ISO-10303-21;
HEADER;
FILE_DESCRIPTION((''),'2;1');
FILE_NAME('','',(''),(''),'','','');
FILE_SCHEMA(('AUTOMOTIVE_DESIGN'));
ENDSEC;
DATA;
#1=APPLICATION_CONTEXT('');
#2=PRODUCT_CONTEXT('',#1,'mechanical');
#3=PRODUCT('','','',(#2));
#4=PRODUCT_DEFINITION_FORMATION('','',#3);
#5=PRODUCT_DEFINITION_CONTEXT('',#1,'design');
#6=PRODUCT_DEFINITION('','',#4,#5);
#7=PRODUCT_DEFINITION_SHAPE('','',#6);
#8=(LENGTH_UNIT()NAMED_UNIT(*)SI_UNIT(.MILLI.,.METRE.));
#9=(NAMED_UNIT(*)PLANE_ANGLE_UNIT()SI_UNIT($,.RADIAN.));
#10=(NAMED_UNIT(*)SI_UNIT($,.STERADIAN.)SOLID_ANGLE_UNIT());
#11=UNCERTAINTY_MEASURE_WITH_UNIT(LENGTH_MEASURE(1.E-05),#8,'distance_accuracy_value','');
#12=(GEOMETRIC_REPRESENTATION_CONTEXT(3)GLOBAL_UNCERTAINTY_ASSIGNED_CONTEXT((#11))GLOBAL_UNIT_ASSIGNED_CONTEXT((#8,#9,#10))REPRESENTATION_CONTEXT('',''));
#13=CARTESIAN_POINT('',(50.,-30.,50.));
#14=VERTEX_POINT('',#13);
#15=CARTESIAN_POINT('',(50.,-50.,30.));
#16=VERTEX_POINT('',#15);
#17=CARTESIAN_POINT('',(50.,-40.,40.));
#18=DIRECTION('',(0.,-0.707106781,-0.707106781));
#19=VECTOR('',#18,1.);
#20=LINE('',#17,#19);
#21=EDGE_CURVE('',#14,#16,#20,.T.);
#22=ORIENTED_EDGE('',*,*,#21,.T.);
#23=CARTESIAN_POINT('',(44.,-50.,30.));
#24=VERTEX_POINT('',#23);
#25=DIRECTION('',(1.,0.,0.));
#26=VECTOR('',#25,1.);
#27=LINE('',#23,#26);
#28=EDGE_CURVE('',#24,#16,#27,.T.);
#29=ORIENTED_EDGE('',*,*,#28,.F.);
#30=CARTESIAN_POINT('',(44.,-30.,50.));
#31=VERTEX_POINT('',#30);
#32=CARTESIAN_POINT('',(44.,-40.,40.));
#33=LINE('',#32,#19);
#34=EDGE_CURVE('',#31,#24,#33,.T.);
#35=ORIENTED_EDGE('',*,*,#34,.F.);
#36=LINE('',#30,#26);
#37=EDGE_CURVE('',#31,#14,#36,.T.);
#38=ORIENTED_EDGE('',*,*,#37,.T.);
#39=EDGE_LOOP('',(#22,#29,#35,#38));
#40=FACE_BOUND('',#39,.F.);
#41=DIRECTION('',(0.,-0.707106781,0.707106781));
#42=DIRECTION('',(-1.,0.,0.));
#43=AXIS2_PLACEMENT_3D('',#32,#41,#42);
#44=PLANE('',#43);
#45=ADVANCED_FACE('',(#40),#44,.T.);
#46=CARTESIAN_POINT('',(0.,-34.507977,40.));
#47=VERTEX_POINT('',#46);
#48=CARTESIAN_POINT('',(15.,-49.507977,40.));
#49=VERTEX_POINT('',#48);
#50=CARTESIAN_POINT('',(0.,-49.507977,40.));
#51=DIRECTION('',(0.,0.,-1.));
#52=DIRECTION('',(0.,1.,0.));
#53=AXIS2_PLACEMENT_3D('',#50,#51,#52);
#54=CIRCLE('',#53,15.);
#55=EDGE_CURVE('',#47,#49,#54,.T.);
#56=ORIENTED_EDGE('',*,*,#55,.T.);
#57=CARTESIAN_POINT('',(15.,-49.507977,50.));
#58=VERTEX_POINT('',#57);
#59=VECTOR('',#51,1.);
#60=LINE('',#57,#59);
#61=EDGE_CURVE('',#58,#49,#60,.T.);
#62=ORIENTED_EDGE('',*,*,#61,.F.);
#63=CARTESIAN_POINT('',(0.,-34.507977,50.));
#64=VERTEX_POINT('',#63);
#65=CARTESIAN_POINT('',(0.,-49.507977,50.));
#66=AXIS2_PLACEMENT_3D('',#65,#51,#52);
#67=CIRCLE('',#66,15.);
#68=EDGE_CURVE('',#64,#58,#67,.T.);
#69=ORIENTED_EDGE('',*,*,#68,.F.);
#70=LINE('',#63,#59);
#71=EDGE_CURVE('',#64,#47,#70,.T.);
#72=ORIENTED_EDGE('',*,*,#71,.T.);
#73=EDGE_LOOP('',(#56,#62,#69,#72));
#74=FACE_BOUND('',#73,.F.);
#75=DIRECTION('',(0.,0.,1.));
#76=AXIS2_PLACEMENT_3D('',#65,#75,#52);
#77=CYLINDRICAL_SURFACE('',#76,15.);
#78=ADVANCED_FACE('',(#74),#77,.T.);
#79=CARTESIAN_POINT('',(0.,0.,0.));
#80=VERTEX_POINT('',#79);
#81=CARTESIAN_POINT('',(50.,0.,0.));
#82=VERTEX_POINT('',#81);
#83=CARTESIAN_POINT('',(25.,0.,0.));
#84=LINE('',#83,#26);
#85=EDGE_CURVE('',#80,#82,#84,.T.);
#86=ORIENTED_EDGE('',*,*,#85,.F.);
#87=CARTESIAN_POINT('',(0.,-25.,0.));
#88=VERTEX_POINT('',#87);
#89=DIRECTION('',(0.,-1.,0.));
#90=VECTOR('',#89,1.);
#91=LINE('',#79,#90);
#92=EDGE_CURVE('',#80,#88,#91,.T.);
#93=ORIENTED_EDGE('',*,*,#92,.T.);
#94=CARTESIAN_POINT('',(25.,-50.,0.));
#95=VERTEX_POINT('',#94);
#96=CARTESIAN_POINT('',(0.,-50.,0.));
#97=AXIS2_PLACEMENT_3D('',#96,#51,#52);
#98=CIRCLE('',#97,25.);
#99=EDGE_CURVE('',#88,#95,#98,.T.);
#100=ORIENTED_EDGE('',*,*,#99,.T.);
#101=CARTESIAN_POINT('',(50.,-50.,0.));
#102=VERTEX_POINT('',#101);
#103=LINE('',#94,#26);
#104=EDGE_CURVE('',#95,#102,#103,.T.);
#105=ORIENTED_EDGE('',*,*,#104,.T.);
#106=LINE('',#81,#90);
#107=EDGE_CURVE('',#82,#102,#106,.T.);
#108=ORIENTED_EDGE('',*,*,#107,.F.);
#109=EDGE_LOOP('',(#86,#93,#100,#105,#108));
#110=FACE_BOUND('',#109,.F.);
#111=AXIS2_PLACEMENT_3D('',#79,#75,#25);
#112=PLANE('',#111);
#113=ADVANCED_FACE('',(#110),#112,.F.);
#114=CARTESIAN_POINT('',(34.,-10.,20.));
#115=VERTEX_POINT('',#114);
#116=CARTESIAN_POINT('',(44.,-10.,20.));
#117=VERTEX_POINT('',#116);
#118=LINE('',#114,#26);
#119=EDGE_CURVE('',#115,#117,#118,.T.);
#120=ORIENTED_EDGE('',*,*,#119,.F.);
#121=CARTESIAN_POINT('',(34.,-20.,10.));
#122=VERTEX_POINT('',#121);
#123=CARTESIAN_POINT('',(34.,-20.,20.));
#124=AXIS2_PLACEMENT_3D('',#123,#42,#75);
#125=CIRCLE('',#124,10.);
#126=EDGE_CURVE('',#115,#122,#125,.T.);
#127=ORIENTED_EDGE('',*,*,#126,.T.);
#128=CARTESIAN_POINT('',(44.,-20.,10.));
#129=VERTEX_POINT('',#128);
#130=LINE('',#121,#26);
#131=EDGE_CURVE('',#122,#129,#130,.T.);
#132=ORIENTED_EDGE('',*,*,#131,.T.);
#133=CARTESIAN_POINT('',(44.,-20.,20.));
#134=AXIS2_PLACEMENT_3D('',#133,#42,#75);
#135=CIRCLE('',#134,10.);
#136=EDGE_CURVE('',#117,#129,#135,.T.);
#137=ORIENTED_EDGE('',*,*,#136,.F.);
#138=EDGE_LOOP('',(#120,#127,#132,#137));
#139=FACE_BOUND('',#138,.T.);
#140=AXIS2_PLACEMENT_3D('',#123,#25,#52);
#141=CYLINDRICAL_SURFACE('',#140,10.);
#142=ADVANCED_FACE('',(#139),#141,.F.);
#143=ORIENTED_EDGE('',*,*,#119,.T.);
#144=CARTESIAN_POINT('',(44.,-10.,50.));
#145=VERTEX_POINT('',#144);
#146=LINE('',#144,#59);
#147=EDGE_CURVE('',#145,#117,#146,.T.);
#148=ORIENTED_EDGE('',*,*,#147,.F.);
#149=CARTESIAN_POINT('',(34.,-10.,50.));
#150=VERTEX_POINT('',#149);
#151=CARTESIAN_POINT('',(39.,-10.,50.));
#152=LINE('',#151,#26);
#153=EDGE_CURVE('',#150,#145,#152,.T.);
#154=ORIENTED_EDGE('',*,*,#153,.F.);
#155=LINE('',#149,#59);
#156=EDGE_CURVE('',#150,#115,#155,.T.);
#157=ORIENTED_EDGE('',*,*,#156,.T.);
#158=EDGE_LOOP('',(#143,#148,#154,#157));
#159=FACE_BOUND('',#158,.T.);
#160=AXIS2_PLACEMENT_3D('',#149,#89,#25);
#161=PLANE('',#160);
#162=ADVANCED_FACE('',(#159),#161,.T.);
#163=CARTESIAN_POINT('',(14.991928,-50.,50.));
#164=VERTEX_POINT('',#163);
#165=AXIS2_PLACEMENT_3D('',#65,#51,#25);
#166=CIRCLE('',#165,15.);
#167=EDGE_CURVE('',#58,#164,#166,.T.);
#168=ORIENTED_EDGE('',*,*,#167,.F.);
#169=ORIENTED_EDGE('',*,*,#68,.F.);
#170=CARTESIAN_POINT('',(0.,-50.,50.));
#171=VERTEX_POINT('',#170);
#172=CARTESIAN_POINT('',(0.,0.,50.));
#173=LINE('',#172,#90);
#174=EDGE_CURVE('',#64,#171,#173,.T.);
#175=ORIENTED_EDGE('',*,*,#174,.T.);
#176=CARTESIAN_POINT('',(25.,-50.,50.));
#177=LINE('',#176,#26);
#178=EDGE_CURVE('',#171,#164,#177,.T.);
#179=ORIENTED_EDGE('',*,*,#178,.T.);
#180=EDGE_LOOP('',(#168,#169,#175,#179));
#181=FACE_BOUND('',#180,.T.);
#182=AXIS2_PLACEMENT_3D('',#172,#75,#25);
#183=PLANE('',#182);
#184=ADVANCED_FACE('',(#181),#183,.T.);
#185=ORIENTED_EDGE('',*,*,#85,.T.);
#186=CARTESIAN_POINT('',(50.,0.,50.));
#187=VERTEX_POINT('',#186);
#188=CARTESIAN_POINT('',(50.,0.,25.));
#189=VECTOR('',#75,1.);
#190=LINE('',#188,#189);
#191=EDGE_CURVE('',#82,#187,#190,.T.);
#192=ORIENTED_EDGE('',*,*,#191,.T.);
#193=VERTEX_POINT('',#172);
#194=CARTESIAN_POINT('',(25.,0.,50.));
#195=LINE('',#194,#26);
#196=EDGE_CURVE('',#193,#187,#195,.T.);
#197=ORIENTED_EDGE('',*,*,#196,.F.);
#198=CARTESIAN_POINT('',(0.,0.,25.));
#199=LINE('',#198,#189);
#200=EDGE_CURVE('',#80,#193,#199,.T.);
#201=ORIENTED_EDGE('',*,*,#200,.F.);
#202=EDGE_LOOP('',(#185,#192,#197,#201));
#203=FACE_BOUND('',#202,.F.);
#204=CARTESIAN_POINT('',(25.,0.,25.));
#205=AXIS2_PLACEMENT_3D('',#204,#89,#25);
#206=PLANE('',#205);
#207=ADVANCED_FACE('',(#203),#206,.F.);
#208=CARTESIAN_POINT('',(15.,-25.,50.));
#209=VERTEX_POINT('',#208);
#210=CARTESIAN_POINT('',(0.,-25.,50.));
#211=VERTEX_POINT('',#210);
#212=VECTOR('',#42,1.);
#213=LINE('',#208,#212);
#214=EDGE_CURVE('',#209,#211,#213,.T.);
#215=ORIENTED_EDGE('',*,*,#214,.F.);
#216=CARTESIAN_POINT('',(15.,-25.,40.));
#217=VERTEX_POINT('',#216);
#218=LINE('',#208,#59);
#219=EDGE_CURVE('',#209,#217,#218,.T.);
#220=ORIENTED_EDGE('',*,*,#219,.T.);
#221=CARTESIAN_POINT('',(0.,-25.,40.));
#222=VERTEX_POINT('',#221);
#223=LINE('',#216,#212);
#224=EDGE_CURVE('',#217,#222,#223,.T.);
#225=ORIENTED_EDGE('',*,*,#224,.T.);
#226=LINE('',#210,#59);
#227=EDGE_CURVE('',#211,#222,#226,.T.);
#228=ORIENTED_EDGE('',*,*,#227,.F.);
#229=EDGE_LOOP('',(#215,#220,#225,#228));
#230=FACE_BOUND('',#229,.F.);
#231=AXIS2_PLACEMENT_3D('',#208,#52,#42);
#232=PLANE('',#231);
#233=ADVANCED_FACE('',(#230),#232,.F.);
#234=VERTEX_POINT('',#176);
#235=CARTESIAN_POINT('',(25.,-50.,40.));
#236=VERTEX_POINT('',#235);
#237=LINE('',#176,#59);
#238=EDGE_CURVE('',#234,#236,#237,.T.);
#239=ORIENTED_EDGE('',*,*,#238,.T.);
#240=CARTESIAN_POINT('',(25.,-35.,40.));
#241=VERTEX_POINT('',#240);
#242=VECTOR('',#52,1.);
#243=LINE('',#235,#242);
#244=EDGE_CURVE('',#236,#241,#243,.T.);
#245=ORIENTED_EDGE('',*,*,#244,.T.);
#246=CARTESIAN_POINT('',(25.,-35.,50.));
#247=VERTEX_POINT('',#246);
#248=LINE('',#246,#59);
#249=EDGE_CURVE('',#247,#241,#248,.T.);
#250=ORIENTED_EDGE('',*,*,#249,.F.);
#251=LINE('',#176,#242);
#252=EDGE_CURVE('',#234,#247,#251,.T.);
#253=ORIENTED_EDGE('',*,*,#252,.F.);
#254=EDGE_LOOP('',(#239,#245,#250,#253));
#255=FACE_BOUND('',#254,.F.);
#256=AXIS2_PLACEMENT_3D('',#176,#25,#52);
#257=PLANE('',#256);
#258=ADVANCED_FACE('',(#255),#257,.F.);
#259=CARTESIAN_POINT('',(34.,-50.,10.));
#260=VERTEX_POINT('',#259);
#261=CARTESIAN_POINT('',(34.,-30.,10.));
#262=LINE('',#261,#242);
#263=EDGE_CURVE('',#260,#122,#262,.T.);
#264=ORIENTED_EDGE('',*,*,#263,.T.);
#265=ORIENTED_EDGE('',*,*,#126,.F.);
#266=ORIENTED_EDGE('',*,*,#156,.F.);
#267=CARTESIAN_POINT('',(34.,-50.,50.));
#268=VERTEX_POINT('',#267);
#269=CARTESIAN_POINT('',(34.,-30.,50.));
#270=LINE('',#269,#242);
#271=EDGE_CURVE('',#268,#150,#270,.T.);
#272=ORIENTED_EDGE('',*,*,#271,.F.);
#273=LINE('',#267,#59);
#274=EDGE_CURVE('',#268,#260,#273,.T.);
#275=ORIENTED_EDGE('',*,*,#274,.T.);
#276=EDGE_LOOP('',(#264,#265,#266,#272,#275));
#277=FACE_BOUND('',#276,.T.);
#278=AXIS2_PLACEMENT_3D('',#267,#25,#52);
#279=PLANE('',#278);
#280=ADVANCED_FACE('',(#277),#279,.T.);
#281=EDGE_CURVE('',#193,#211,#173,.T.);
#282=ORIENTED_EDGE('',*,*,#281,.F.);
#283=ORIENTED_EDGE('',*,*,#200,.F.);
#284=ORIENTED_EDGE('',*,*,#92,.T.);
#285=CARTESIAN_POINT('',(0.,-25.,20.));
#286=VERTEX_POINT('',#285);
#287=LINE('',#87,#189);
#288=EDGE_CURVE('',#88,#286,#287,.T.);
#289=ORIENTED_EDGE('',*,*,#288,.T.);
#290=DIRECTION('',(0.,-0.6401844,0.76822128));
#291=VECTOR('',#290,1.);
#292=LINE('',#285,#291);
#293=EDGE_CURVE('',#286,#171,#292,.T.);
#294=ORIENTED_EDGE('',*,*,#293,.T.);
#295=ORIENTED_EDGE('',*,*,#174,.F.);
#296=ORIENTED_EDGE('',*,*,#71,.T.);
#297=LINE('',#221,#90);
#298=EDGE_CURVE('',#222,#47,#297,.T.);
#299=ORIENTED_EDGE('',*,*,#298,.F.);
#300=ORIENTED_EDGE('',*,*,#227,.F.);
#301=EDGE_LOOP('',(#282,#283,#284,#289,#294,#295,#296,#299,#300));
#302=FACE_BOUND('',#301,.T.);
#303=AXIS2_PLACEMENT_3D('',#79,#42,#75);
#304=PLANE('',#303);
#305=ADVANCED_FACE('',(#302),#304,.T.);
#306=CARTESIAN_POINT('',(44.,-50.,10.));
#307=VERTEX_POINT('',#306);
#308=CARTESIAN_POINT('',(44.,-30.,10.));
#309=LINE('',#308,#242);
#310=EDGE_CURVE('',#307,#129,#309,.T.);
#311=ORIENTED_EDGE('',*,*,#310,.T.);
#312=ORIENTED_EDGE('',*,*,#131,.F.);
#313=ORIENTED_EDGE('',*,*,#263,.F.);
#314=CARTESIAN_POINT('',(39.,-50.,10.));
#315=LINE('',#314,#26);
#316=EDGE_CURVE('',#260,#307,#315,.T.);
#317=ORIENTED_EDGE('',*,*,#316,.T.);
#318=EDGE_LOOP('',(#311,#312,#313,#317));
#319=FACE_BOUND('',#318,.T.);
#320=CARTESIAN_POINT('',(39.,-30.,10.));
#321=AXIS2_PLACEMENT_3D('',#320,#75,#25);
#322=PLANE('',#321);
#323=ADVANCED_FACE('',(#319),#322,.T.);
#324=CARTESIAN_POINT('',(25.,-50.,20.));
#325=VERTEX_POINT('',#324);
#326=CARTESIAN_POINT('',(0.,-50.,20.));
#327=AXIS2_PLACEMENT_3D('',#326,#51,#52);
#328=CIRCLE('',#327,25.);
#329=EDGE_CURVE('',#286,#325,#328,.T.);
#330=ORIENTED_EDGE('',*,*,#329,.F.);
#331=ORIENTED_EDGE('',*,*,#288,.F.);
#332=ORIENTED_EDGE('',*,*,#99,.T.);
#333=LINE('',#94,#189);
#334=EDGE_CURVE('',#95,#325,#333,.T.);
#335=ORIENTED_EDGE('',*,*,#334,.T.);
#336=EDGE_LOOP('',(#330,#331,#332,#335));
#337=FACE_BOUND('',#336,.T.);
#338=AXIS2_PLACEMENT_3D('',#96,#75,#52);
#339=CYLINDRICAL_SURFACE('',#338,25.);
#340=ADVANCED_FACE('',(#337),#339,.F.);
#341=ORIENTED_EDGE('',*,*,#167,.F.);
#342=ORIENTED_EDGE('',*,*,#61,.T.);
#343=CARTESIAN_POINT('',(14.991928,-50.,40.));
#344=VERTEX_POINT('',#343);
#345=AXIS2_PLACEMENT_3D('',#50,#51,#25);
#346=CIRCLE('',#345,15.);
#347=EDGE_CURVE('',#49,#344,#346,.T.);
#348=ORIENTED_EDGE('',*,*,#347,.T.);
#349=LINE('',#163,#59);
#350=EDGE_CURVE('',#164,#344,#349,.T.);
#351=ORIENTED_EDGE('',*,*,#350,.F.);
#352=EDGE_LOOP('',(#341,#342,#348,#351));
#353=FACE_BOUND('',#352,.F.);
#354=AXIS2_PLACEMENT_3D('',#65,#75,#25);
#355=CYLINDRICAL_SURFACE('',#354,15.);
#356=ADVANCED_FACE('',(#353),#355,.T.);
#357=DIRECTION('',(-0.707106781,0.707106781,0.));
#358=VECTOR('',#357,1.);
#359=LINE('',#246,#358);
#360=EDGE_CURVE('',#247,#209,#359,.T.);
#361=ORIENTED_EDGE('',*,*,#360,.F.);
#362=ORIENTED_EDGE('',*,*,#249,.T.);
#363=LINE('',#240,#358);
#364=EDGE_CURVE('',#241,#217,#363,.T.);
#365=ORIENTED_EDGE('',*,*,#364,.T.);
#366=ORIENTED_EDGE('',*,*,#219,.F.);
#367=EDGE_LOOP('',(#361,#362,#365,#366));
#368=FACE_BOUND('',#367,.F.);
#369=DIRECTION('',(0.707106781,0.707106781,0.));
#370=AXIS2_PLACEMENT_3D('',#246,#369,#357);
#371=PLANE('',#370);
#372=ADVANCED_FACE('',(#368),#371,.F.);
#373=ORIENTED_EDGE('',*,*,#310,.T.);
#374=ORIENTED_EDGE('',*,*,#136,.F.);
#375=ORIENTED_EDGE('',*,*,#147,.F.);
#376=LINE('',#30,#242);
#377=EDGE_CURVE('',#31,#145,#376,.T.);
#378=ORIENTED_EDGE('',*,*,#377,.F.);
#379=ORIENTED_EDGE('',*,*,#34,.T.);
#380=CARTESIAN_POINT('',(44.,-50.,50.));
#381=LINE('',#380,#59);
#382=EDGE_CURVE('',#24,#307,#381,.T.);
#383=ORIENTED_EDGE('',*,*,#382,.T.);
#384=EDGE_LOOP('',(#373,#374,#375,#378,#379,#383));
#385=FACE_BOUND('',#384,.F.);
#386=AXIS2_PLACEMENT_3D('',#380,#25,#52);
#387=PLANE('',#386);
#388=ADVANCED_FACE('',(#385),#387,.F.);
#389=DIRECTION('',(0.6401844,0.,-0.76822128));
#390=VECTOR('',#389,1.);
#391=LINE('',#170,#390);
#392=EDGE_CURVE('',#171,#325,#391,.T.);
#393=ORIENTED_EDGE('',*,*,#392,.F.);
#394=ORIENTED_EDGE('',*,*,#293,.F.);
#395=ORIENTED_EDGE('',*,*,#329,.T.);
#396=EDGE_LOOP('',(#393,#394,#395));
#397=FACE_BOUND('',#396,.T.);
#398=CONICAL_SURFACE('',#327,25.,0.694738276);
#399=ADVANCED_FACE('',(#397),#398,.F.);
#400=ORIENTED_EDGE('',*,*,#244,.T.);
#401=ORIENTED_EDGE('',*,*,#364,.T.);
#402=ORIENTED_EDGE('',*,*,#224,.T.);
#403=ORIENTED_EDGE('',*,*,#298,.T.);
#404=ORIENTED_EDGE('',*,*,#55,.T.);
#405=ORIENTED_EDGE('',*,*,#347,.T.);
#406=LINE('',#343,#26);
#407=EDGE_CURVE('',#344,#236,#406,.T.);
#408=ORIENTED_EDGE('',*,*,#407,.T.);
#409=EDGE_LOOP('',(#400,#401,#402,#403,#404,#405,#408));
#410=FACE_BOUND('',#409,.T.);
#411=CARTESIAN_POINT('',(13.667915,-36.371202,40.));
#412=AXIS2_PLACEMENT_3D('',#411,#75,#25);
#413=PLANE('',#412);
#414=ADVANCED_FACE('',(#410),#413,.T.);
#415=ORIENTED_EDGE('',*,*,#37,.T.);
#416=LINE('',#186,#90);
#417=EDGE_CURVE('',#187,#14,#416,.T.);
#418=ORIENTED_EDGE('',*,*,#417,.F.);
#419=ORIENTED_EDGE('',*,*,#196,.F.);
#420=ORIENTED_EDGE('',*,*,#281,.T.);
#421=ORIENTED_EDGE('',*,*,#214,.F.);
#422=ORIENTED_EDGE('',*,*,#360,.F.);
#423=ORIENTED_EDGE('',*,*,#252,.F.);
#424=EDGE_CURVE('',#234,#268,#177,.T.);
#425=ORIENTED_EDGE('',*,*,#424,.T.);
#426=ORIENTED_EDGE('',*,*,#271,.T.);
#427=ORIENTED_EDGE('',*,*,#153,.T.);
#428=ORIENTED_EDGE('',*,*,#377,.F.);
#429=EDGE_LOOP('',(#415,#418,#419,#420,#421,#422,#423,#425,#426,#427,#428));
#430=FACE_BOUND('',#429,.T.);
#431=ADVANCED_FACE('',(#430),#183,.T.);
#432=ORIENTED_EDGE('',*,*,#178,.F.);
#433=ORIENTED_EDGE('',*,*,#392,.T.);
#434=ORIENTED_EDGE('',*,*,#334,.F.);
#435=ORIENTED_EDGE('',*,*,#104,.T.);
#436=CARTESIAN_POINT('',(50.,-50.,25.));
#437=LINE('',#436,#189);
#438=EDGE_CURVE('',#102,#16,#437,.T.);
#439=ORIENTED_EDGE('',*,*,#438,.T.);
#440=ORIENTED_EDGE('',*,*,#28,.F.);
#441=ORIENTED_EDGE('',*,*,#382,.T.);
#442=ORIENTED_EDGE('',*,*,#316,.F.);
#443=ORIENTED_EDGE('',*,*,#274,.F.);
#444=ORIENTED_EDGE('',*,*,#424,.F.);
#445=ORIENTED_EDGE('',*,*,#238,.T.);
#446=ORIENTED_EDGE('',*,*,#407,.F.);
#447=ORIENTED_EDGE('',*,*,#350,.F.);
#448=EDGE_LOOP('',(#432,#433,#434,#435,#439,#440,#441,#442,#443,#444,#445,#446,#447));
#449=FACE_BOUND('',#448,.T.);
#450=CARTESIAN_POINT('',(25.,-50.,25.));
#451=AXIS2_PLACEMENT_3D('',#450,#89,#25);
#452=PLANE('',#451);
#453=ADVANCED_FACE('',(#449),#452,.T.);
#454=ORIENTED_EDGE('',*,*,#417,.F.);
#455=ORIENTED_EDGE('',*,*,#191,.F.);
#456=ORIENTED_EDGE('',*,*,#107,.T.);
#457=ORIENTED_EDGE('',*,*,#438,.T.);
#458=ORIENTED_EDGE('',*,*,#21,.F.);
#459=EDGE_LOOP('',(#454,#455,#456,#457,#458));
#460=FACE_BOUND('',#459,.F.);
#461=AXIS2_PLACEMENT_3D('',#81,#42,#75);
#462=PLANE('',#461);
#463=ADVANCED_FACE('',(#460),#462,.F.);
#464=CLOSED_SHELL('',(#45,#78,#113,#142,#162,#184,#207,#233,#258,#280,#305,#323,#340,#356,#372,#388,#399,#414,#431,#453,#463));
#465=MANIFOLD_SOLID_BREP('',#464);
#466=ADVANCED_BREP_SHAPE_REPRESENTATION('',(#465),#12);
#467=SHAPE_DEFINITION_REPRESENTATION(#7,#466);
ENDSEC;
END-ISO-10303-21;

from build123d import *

# Parameters (mm, degrees)
F0_W          = 50
F0_H          = 50
F1_DEPTH      = 50
F2_W          = 10
F2_H          = 40
F3_DEPTH      = 40
F4_R          = 10
F5_SIZE       = 20
F7_ANGLE_BACK = 90
F7_ANGLE      = 180
F10_DEPTH     = 10


with BuildPart() as f1:
    # F0 (on Front) → F1 (new body)
    with BuildSketch(Plane.XZ):
        with Locations((25, 25)):
            Rectangle(F0_W, F0_H)
    extrude(amount=F1_DEPTH)

    # F2 (on face) → F3 (cut)
    with BuildSketch(Plane.XY.offset(50)):
        with Locations((39, -30)):
            Rectangle(F2_W, F2_H)
    extrude(amount=-F3_DEPTH, mode=Mode.SUBTRACT)

    # F4
    f4_edges = [f1.edges().sort_by_distance(p)[0] for p in [
        (39, -10, 10),
    ]]
    fillet(f4_edges, radius=F4_R)

    # F5
    f5_edges = [f1.edges().sort_by_distance(p)[0] for p in [
        (47, -50, 50),
    ]]
    chamfer(f5_edges, length=F5_SIZE)

    # F6 (on face) → F7 (revolve, cut)
    with BuildSketch(Plane.XZ.offset(50), mode=Mode.PRIVATE) as f7_sk:
        Polygon((25, 20), (0, 50), (0, 0), (25, 0), align=None)
    revolve(f7_sk.sketch.rotate(Axis((0, -50, 25), (0, 0, -1)), -F7_ANGLE_BACK), axis=Axis((0, -50, 25), (0, 0, -1)), revolution_arc=F7_ANGLE, mode=Mode.SUBTRACT)

    # F9 (on face) → F10 (cut)
    with BuildSketch(Plane.XY.offset(50)):
        with BuildLine():
            ThreePointArc((0, -34.5079771981), (10.6066017178, -38.9013754803), (15, -49.5079771981))
            ThreePointArc((15, -49.5079771981), (14.9979819343, -49.7540217013), (14.9919282803, -50))
            Line((14.9919282803, -50), (25, -50))
            Line((25, -50), (25, -35))
            Line((25, -35), (15, -25))
            Line((15, -25), (0, -25))
            Line((0, -25), (0, -34.5079771981))
        make_face()
    extrude(amount=-F10_DEPTH, mode=Mode.SUBTRACT)


solid = f1.part
